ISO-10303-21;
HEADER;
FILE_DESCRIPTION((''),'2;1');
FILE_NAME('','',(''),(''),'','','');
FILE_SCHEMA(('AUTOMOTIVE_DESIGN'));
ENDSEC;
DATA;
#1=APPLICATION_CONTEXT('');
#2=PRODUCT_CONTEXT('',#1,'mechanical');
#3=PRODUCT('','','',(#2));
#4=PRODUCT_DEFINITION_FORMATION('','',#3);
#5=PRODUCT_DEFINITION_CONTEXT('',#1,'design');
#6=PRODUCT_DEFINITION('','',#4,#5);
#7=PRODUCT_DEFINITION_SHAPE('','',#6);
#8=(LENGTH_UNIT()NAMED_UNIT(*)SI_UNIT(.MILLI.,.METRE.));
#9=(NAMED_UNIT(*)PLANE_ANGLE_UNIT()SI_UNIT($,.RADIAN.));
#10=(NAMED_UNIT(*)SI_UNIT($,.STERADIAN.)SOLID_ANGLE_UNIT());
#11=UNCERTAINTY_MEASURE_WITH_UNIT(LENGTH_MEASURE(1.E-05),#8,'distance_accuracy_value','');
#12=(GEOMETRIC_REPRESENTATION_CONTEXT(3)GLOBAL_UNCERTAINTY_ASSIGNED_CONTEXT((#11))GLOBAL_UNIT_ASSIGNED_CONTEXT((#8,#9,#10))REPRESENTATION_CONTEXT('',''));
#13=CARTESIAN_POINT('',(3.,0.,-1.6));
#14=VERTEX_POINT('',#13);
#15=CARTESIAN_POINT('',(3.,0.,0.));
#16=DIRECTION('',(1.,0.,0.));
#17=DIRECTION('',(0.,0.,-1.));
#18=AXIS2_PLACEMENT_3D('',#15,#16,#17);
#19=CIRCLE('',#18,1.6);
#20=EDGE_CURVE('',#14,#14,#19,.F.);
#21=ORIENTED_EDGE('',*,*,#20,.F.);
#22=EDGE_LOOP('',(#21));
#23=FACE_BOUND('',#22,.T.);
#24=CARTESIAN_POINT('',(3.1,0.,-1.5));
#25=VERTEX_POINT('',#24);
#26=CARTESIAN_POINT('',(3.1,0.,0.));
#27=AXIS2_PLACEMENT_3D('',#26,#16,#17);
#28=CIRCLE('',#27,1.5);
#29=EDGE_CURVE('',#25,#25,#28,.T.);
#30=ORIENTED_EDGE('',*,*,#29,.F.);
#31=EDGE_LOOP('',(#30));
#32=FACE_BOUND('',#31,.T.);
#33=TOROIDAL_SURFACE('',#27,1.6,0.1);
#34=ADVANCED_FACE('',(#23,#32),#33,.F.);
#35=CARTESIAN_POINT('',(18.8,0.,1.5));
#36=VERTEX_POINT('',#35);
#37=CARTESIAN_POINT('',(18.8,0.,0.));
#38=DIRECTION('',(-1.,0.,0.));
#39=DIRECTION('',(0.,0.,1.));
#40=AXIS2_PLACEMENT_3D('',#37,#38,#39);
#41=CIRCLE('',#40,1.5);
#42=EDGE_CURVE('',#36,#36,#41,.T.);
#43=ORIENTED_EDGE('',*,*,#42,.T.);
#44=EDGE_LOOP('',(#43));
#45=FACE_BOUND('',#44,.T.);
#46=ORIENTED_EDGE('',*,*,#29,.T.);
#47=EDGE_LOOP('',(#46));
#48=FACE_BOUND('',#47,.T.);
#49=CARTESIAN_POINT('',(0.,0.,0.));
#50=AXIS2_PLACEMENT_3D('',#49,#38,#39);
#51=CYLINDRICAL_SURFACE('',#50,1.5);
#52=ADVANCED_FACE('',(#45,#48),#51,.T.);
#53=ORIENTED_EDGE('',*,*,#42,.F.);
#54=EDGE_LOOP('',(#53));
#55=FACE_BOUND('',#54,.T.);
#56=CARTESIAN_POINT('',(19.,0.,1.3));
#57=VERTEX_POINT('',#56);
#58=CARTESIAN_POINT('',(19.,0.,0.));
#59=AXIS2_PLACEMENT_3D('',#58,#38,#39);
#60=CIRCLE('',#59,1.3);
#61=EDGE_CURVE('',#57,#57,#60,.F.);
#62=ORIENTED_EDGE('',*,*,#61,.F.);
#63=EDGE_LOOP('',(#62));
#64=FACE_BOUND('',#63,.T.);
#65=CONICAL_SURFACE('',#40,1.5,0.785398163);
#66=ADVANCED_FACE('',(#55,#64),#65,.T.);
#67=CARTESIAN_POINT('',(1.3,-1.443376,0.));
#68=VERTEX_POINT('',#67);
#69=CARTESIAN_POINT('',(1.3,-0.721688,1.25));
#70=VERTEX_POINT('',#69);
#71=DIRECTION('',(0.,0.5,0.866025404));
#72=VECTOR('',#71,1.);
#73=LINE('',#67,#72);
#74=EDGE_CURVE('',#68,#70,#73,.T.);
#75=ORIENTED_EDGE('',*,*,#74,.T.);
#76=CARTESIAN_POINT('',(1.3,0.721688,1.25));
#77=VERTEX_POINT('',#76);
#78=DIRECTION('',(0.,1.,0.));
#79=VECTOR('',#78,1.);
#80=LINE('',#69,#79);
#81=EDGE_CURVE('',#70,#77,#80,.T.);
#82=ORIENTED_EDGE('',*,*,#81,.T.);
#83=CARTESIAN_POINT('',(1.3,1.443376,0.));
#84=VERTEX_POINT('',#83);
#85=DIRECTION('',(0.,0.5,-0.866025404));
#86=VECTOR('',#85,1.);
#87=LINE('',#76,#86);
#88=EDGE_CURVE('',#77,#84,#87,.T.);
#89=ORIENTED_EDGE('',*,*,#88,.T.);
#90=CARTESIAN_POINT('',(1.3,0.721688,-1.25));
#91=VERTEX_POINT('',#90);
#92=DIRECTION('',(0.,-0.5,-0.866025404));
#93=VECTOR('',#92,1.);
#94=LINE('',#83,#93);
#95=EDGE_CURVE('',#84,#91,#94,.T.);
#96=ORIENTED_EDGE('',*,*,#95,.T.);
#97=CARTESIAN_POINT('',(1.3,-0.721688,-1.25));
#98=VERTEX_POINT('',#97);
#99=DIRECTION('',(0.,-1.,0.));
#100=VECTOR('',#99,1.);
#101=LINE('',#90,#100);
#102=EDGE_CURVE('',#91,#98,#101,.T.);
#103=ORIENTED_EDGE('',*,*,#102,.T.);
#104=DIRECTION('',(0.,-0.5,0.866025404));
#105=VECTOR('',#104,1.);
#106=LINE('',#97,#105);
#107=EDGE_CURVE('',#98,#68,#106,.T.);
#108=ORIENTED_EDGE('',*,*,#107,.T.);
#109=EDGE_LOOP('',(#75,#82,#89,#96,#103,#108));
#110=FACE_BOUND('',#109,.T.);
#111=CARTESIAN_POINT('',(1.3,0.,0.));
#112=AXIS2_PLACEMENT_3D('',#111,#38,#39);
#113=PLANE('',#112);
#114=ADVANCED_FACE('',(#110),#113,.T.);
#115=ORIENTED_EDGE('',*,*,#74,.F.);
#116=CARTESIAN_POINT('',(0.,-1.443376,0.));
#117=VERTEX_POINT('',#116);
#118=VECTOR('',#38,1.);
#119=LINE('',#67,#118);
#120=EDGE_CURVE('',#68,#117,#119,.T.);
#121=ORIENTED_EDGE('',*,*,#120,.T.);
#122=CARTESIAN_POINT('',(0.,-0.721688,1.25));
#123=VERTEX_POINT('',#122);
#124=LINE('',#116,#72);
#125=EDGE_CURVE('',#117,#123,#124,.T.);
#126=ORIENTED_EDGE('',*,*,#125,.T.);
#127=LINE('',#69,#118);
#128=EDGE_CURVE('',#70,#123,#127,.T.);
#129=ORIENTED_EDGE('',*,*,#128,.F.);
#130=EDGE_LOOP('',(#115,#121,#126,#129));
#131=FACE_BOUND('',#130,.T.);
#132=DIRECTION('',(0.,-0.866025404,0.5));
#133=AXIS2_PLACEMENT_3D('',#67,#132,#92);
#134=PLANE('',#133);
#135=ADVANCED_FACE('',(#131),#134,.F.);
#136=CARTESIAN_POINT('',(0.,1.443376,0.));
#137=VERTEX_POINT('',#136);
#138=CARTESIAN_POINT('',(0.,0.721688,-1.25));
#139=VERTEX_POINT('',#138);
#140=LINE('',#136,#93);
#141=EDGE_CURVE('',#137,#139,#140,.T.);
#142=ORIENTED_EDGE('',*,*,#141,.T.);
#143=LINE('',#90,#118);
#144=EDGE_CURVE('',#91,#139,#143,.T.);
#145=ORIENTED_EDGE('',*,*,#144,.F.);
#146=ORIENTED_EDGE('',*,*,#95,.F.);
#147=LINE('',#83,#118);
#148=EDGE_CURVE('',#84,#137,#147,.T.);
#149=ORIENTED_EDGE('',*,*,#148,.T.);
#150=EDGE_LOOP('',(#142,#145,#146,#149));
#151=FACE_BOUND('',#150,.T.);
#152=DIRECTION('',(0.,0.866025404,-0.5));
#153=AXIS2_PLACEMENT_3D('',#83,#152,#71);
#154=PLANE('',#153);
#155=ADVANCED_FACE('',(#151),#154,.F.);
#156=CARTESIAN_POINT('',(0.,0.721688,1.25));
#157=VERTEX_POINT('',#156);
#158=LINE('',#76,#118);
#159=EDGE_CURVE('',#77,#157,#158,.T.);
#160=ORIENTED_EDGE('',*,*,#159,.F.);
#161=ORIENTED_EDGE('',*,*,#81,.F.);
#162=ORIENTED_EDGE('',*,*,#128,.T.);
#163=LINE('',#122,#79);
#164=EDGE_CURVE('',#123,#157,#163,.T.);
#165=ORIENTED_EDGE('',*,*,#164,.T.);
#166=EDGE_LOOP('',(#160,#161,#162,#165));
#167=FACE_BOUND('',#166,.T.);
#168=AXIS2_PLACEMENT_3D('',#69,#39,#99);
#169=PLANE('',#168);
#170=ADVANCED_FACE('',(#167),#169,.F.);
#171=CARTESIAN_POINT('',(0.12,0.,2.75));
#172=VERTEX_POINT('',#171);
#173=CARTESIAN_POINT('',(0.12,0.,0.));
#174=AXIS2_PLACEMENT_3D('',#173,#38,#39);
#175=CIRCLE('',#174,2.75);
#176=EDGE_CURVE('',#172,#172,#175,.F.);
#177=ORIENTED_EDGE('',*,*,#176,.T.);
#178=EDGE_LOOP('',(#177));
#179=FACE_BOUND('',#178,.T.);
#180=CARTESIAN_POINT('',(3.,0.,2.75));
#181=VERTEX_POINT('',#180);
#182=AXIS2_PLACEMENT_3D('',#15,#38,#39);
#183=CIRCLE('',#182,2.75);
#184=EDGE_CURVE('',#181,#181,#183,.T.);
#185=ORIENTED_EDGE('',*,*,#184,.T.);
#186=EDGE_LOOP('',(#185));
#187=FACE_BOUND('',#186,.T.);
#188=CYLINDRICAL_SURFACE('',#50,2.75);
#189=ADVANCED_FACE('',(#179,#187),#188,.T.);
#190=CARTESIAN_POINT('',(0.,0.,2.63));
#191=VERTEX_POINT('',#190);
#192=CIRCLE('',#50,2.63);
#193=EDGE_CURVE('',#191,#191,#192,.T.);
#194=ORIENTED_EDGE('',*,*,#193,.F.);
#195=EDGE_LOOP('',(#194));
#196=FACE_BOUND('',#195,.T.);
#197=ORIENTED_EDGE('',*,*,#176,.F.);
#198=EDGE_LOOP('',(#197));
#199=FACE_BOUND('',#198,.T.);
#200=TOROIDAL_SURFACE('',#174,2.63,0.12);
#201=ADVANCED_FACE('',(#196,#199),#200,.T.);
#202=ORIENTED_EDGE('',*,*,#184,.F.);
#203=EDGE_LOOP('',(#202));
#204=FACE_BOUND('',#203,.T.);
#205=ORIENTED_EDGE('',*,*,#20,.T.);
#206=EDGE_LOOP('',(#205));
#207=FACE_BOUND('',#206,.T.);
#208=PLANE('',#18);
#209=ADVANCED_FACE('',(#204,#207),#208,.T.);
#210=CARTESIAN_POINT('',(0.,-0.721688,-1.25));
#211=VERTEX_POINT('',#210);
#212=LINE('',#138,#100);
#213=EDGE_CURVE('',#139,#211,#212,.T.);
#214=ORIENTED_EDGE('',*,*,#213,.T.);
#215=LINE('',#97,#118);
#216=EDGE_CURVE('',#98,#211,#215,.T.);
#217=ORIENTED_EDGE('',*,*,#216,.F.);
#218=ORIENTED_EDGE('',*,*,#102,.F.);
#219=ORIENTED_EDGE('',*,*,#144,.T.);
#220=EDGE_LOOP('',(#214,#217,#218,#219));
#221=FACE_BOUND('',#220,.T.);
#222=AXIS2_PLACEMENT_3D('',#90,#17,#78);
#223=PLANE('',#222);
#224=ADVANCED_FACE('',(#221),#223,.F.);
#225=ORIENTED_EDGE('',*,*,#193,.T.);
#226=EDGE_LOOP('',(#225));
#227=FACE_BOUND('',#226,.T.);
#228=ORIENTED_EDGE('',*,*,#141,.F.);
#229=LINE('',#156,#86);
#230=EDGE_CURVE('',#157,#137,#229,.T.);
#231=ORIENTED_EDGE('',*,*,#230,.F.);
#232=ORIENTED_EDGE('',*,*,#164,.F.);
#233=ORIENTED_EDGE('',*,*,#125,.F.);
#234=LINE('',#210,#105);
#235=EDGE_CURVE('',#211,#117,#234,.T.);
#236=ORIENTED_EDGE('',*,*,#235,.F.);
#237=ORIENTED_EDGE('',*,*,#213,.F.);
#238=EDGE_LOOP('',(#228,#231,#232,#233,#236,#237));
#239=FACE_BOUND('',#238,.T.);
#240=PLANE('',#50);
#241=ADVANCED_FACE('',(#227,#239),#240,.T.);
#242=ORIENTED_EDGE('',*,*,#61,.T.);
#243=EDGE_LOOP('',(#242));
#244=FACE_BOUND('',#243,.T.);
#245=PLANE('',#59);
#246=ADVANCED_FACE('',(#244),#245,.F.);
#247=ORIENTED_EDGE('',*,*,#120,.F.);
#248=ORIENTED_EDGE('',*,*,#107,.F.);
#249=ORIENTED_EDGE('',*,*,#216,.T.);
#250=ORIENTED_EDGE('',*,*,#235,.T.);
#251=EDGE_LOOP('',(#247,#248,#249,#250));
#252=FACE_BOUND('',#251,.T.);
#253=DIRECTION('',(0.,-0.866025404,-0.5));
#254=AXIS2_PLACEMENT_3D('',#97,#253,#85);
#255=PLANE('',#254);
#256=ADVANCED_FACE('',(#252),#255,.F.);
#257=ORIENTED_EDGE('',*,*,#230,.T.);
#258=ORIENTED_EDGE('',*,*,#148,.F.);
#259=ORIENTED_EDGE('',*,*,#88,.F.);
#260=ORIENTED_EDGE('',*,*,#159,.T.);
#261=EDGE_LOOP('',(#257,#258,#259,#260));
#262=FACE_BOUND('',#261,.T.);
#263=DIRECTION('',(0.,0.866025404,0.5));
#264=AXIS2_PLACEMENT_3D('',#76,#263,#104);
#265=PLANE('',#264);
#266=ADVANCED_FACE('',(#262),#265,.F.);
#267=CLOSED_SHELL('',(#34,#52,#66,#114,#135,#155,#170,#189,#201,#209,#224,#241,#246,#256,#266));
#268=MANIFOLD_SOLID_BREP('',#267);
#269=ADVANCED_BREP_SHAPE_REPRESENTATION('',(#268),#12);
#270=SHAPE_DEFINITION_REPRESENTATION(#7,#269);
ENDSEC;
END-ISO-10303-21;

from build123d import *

# Parameters (mm, degrees)
FILLET1_R      = 0.1
FILLET2_R      = 0.12
CHAMFER1_SIZE  = 0.2
EXTRUDE1_DEPTH = 1.3


with BuildPart() as part:
    # Sketch1 → Revolve1 (revolve)
    with BuildSketch(Plane.XY, mode=Mode.PRIVATE) as revolve1_sk:
        Polygon((3, 1.5), (3, 0), (4.279914881, 0), (19, 0), (19, 1.5), align=None)
        Polygon((0, 2.75), (0, 0), (3, 0), (3, 1.5), (3, 2.75), align=None)
    revolve(revolve1_sk.sketch.rotate(Axis((0, 0, 0), (1, 0, 0)), 90), axis=Axis((0, 0, 0), (1, 0, 0)))

    # Fillet1
    fillet1_edges = [part.edges().sort_by_distance(p)[0] for p in [
        (3, 0, -1.5),
    ]]
    fillet(fillet1_edges, radius=FILLET1_R)

    # Fillet2
    fillet2_edges = [part.edges().sort_by_distance(p)[0] for p in [
        (0, 0, -2.75),
    ]]
    fillet(fillet2_edges, radius=FILLET2_R)

    # Chamfer1
    chamfer1_edges = [part.edges().sort_by_distance(p)[0] for p in [
        (19, 0, -1.5),
    ]]
    chamfer(chamfer1_edges, length=CHAMFER1_SIZE)

    # Sketch2 → Extrude1 (cut)
    with BuildSketch(Plane.ZY):
        Polygon((0, 1.443375673), (-1.25, 0.721687836), (-1.25, -0.721687836), (0, -1.443375673), (1.25, -0.721687836), (1.25, 0.721687836), align=None)
    extrude(amount=-EXTRUDE1_DEPTH, mode=Mode.SUBTRACT)


solid = part.part
